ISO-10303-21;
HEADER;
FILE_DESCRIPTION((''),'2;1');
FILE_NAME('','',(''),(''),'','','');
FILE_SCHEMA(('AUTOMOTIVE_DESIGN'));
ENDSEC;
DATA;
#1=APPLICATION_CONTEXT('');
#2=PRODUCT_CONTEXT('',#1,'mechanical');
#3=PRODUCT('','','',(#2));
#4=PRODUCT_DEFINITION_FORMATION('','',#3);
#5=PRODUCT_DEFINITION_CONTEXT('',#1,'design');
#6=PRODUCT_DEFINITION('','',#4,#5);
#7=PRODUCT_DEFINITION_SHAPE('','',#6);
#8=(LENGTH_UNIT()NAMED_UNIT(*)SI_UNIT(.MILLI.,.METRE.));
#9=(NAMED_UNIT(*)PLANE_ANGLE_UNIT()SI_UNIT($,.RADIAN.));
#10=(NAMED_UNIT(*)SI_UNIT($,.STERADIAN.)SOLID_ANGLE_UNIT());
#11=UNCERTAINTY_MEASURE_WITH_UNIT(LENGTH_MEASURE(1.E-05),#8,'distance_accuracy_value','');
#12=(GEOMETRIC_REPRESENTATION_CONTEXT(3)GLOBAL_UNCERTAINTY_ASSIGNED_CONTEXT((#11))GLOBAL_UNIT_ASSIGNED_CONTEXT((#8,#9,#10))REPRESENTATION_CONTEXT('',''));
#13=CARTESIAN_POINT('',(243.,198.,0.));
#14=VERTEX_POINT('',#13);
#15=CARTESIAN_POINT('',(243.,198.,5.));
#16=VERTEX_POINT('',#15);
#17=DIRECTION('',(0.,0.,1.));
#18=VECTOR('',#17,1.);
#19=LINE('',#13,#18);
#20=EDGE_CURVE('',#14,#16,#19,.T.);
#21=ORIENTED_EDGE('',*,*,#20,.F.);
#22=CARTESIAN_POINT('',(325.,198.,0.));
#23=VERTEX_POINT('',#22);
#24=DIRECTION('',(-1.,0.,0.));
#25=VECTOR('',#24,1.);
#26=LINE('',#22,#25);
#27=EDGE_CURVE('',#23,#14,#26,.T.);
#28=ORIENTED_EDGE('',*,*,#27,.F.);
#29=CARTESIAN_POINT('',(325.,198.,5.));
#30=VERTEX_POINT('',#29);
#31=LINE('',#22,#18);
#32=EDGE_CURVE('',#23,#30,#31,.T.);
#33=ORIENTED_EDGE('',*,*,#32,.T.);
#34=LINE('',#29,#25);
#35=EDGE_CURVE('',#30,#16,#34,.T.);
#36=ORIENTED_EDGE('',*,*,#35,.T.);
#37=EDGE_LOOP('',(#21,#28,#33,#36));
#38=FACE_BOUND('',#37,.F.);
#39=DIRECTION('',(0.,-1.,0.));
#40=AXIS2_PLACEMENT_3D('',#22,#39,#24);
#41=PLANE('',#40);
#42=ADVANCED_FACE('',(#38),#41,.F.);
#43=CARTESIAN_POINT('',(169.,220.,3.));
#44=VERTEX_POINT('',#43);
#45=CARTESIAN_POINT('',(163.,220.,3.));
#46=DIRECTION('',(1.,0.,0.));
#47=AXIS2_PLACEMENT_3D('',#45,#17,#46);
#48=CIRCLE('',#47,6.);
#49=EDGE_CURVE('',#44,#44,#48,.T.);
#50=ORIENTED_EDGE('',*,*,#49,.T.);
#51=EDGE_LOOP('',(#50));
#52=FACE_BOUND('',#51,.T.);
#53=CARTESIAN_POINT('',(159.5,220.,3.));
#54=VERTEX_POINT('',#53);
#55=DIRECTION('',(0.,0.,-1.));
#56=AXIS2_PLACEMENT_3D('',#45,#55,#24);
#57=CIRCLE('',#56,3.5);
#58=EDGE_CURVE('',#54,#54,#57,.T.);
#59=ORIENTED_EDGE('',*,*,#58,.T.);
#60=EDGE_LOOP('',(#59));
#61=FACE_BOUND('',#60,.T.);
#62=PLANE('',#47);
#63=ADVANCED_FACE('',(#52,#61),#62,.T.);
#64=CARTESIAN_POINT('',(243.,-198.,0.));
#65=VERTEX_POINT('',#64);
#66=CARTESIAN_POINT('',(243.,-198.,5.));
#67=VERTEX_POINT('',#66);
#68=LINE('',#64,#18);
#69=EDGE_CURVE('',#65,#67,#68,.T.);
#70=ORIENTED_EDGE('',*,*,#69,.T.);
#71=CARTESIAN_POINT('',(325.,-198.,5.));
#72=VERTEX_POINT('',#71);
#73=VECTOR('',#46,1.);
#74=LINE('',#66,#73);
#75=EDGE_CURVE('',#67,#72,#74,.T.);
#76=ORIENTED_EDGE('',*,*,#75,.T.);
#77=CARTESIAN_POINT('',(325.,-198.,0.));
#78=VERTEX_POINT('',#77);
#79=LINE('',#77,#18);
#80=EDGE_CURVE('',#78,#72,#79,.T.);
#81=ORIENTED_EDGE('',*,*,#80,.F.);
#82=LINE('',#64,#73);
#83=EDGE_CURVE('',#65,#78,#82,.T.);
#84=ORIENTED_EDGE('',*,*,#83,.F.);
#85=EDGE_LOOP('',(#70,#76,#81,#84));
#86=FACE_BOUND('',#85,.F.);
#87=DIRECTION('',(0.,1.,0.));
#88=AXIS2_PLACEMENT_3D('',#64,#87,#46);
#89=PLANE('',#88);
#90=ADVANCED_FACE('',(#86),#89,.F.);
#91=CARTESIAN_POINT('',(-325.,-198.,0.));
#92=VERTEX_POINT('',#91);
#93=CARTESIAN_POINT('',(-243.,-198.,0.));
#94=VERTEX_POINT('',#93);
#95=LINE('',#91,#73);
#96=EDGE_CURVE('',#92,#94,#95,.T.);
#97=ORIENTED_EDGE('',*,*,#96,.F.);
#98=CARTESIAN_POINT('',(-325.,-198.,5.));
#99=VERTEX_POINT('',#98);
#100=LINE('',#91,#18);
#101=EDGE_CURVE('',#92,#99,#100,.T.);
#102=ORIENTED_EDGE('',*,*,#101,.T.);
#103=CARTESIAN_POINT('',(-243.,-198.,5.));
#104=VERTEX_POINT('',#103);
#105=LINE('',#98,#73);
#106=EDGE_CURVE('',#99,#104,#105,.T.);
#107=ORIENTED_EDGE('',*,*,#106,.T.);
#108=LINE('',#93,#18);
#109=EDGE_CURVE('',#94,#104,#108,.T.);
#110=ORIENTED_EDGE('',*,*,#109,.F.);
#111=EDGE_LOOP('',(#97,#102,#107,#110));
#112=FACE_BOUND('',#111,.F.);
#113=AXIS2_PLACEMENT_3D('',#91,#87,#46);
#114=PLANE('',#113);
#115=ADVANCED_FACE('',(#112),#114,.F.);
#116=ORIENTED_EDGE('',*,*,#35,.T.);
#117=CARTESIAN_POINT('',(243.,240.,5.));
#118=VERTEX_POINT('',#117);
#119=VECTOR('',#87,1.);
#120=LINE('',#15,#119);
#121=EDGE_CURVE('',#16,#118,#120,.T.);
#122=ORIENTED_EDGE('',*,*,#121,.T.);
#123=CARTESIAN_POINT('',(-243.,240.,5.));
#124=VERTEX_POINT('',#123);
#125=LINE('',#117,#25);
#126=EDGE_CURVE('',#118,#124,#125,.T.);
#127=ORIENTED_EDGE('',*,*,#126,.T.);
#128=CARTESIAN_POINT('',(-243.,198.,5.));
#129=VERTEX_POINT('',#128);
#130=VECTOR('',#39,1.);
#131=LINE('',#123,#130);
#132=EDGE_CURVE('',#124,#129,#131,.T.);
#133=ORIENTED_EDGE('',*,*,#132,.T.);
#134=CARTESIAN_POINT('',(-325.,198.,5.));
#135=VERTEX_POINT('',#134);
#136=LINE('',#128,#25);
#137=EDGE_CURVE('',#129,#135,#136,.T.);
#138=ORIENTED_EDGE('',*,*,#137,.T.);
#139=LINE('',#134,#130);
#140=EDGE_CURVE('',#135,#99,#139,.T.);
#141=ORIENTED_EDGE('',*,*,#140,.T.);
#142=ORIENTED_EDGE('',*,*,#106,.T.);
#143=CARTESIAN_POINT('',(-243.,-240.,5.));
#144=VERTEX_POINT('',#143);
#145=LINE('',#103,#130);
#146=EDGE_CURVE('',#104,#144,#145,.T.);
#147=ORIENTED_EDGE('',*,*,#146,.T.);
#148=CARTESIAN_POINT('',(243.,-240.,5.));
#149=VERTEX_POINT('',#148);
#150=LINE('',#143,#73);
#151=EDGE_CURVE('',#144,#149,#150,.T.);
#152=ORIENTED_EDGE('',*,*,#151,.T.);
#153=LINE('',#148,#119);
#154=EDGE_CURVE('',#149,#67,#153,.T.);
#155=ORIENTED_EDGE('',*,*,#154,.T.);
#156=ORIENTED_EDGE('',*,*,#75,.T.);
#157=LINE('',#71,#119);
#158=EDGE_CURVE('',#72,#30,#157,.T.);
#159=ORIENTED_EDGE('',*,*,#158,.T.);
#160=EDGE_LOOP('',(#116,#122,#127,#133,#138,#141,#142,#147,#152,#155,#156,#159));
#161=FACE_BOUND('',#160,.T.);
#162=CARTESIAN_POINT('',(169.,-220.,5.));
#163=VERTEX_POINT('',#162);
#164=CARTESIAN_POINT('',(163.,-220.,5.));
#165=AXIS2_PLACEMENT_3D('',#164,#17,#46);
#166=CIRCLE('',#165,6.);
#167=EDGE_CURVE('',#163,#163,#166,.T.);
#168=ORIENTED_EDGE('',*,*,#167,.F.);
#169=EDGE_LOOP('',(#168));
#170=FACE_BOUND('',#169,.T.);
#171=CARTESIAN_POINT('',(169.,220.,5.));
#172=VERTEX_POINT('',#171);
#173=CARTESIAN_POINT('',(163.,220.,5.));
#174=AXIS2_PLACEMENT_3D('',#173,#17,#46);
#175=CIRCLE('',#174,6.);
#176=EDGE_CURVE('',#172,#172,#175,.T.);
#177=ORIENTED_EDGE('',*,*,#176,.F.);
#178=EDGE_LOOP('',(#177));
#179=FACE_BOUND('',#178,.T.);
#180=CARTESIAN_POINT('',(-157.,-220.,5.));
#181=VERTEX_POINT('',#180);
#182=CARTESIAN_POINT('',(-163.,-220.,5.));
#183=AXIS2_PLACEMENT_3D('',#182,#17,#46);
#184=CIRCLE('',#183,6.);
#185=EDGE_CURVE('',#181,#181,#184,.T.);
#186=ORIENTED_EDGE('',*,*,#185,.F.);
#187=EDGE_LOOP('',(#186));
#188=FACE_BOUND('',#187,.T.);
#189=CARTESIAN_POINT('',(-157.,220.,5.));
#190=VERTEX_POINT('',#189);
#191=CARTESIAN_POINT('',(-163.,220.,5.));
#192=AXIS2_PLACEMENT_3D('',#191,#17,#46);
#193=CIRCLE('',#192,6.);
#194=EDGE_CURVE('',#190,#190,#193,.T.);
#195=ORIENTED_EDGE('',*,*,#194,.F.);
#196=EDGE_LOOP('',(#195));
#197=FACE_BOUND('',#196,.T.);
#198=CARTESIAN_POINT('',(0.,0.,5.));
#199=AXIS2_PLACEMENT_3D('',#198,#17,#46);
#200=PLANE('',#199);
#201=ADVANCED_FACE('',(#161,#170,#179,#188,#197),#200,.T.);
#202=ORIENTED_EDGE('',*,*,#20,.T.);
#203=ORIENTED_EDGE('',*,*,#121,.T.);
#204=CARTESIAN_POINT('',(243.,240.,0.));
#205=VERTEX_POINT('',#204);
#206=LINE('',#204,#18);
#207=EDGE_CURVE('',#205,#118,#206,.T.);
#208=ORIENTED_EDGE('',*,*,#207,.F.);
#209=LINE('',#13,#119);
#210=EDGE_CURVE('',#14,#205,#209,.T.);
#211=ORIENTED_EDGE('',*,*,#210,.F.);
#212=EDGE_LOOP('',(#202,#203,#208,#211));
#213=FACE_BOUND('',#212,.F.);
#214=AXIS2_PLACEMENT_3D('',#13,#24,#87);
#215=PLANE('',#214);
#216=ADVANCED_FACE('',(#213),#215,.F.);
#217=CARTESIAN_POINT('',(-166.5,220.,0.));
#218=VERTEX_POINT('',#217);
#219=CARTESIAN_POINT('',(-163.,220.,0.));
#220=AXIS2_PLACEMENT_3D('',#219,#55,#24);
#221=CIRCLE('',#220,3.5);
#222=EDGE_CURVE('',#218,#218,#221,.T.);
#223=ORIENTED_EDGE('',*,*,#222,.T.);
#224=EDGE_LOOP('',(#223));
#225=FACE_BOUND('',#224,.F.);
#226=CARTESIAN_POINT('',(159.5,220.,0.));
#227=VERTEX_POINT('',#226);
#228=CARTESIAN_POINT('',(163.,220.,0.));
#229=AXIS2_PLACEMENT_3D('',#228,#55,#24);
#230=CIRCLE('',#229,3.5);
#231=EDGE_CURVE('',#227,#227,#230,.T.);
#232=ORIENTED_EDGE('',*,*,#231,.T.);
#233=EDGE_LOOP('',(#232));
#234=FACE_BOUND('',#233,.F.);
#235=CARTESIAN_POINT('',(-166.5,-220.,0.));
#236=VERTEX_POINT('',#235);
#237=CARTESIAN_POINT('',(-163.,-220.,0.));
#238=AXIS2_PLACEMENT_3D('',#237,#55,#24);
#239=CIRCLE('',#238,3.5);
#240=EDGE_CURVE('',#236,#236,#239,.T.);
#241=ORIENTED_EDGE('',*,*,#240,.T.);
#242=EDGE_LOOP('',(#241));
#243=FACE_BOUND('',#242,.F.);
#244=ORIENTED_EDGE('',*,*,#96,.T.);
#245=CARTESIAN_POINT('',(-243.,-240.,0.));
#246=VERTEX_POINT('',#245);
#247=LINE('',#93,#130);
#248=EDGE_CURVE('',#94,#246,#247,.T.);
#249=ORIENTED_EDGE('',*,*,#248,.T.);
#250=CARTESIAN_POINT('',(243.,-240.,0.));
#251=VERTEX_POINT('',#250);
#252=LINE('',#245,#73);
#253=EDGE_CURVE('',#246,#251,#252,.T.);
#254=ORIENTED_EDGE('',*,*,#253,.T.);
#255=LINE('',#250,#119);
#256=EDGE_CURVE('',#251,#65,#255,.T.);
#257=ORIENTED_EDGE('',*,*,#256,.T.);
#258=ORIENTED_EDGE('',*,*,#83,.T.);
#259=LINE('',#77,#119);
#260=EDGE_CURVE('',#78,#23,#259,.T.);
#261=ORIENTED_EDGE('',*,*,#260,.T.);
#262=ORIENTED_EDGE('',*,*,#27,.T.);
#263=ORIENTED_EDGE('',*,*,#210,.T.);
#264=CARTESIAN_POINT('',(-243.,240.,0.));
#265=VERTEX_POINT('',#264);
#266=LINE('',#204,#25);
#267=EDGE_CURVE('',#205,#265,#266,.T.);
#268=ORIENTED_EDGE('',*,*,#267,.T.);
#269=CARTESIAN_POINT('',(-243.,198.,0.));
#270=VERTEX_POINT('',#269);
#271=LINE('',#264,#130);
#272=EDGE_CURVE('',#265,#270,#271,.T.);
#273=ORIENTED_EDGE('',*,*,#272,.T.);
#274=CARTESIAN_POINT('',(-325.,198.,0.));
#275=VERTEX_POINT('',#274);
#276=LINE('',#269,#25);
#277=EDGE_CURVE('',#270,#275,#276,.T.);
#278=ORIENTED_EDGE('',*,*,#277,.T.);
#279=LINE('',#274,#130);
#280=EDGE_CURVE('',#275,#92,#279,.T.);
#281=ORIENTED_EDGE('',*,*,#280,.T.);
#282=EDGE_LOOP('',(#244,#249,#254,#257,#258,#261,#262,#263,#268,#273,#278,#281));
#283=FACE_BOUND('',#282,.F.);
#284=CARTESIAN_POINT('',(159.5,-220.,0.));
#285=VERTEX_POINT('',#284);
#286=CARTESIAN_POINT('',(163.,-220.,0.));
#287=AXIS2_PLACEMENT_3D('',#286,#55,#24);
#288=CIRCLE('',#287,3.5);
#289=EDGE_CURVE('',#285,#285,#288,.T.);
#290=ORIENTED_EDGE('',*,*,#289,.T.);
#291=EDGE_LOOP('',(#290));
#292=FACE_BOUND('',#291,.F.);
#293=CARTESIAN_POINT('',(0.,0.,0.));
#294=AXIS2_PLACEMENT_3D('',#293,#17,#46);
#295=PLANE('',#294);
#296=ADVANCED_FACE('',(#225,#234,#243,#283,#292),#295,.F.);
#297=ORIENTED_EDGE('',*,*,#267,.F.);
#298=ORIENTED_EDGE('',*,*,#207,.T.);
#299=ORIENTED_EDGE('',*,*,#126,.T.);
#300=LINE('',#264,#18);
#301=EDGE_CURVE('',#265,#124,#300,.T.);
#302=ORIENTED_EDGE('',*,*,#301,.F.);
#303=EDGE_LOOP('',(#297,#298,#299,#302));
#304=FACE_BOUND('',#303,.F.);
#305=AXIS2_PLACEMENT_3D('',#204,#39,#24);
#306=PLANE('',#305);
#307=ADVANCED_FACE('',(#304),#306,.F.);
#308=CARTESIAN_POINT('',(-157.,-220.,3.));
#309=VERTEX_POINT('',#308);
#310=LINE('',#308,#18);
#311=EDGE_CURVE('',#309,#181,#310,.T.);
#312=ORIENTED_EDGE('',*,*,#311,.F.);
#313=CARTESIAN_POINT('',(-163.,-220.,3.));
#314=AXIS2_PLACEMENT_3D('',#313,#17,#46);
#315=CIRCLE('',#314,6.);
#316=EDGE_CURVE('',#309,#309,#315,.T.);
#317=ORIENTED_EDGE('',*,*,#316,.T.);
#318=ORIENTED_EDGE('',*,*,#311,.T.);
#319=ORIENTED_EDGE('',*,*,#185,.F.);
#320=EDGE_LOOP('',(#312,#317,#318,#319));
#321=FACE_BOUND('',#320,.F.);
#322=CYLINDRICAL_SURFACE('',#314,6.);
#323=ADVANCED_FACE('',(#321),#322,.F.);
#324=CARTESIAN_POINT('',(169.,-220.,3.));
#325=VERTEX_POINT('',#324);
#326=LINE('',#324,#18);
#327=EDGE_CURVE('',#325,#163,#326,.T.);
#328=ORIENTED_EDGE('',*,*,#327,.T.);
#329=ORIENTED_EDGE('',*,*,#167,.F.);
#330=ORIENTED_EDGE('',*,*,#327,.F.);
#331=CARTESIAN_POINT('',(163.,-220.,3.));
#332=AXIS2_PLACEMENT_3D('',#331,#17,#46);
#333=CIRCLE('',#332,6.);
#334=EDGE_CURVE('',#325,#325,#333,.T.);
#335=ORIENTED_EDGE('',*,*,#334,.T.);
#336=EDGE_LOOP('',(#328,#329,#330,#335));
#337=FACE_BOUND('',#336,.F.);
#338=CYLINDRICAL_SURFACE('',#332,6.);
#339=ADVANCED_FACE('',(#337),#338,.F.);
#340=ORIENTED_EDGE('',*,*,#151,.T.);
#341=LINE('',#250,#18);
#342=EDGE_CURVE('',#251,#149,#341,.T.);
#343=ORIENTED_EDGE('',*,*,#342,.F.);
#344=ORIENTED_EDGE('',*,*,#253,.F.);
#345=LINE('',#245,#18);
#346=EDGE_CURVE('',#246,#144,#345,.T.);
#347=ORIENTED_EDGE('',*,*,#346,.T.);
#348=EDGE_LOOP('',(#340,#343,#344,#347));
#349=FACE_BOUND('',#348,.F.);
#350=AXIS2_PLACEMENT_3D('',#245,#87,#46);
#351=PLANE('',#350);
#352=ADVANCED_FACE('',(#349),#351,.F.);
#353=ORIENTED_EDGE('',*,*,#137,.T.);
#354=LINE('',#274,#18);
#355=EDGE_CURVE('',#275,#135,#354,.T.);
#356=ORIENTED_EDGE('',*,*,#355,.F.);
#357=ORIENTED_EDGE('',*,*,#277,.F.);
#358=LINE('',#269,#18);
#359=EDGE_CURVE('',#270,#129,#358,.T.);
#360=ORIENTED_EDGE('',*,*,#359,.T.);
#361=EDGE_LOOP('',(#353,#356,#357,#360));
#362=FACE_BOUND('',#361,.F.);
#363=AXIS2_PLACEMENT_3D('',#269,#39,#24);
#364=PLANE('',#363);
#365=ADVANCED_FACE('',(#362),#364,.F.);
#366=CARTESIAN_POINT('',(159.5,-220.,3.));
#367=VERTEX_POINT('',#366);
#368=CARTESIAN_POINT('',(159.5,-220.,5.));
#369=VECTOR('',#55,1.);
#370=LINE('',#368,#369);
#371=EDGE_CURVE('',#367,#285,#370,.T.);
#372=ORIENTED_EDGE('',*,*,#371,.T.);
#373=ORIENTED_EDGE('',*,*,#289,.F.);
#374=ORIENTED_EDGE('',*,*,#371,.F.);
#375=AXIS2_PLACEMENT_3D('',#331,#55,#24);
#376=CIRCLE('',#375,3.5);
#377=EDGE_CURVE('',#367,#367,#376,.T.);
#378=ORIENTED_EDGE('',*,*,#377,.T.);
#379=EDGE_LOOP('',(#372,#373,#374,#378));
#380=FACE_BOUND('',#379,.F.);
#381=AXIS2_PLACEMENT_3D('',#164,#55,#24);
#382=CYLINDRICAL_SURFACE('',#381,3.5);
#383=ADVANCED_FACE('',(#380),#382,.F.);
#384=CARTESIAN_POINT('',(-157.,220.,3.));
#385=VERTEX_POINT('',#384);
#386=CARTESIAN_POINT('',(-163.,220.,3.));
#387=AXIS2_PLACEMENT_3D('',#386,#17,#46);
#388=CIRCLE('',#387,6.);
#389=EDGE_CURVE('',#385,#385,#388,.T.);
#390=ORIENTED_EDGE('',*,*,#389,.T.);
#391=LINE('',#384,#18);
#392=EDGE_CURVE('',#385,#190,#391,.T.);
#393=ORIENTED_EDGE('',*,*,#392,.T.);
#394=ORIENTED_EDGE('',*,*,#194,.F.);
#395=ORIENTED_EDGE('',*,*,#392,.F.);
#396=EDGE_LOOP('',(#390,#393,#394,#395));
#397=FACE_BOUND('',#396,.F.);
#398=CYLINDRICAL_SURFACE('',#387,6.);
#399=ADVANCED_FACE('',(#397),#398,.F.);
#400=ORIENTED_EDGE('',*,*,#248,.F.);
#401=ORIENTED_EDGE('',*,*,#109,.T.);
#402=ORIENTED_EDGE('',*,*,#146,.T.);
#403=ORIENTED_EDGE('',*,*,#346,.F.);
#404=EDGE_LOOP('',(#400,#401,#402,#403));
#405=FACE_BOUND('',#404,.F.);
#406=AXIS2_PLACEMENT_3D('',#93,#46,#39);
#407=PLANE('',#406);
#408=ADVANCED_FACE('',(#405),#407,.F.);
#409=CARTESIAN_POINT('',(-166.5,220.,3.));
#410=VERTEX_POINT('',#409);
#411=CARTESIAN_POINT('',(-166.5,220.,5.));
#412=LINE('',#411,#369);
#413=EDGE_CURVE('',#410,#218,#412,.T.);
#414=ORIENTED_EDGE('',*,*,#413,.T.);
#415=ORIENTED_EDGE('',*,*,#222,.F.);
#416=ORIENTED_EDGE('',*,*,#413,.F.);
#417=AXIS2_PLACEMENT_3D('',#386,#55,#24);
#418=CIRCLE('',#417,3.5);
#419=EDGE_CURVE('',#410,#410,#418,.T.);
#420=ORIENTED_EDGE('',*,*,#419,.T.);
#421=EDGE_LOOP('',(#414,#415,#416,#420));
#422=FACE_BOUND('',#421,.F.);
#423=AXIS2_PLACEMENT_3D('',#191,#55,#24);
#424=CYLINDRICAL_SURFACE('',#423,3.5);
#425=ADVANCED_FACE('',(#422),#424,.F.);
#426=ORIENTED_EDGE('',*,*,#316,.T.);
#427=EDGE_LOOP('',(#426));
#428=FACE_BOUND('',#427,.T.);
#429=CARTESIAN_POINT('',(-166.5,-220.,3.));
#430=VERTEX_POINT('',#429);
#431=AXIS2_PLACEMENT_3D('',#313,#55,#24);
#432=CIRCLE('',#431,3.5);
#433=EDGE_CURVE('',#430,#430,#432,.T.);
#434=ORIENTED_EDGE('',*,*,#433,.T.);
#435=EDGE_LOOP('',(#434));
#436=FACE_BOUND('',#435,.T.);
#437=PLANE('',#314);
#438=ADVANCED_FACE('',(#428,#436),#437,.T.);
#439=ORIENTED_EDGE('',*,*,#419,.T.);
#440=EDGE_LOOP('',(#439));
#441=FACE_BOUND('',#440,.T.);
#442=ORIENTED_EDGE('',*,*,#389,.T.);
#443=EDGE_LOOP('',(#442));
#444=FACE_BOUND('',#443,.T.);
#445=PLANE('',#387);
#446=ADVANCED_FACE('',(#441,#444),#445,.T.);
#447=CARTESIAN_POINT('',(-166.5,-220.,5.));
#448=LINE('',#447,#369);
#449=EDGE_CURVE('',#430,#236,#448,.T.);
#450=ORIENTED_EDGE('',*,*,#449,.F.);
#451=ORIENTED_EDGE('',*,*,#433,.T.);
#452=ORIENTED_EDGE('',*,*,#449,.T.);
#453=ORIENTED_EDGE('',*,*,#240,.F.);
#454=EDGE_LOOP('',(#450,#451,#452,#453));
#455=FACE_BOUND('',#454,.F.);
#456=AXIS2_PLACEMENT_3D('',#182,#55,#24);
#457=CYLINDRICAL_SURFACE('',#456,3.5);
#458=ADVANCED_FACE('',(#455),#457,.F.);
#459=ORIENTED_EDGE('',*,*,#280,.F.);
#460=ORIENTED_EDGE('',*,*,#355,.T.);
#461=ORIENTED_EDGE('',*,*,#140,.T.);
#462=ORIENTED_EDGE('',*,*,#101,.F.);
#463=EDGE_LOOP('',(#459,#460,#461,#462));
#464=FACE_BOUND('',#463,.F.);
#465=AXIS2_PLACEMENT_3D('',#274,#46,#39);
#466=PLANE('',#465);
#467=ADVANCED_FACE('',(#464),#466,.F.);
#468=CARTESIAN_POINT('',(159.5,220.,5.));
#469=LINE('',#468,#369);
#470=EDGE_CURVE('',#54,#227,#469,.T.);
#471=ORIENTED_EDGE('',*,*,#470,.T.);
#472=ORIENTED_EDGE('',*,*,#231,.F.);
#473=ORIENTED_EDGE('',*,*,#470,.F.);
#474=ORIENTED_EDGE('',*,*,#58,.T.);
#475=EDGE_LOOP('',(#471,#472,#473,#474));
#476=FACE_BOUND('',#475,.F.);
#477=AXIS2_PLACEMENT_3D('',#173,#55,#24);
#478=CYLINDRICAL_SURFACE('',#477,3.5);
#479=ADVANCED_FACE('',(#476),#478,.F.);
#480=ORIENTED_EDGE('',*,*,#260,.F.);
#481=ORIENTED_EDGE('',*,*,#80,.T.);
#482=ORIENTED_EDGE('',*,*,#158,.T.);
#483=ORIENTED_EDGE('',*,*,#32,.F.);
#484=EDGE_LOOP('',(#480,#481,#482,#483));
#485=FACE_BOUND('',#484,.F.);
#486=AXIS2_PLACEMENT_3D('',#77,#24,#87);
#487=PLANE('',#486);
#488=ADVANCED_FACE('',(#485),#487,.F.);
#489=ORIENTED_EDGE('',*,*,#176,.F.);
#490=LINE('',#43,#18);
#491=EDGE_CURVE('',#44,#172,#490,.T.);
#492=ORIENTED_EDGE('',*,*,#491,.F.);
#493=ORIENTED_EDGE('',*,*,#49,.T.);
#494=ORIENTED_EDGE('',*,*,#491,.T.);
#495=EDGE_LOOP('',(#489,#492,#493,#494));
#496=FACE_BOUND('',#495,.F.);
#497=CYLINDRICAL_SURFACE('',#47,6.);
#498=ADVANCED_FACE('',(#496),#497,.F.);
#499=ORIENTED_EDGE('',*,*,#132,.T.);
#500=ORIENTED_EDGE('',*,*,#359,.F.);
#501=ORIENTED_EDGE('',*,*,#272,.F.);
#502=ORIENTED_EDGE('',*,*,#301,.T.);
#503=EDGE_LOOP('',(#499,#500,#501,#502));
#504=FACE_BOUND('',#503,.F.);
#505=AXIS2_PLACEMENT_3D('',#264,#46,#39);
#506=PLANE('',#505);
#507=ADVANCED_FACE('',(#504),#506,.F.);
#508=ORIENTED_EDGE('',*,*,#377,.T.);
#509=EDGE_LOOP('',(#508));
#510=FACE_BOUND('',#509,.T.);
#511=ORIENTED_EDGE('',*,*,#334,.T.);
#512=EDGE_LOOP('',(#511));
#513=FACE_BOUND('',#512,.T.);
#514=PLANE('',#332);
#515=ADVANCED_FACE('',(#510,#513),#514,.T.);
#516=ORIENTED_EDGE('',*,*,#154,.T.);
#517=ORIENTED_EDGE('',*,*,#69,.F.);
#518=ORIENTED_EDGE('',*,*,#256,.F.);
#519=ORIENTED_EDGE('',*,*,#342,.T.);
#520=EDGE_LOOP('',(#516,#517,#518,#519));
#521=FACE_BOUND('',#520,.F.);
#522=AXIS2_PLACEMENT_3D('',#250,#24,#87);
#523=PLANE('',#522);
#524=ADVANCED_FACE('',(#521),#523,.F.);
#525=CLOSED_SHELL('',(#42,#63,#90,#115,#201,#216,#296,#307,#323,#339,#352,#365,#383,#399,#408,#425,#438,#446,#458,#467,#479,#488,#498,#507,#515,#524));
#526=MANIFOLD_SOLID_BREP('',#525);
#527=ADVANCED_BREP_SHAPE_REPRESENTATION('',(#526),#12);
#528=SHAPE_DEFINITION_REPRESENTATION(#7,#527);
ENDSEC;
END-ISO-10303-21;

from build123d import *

# Parameters (mm, degrees)
F1_DEPTH       = 5
F3_D           = 7
F3_CBORE_D     = 12
F3_CBORE_DEPTH = 2


with BuildPart() as f1:
    # F0 (on Top) → F1 (new body)
    with BuildSketch(Plane.XY):
        Polygon((243, 240), (-243, 240), (-243, 198), (-325, 198), (-325, -198), (-243, -198), (-243, -240), (243, -240), (243, -198), (325, -198), (325, 198), (243, 198), align=None)
    extrude(amount=F1_DEPTH)

    # F3 (through all)
    with Locations(Plane.XY.offset(5)):
        with Locations((-163, 220), (-163, -220), (163, -220), (163, 220)):
            CounterBoreHole(F3_D / 2, F3_CBORE_D / 2, F3_CBORE_DEPTH)


solid = f1.part
